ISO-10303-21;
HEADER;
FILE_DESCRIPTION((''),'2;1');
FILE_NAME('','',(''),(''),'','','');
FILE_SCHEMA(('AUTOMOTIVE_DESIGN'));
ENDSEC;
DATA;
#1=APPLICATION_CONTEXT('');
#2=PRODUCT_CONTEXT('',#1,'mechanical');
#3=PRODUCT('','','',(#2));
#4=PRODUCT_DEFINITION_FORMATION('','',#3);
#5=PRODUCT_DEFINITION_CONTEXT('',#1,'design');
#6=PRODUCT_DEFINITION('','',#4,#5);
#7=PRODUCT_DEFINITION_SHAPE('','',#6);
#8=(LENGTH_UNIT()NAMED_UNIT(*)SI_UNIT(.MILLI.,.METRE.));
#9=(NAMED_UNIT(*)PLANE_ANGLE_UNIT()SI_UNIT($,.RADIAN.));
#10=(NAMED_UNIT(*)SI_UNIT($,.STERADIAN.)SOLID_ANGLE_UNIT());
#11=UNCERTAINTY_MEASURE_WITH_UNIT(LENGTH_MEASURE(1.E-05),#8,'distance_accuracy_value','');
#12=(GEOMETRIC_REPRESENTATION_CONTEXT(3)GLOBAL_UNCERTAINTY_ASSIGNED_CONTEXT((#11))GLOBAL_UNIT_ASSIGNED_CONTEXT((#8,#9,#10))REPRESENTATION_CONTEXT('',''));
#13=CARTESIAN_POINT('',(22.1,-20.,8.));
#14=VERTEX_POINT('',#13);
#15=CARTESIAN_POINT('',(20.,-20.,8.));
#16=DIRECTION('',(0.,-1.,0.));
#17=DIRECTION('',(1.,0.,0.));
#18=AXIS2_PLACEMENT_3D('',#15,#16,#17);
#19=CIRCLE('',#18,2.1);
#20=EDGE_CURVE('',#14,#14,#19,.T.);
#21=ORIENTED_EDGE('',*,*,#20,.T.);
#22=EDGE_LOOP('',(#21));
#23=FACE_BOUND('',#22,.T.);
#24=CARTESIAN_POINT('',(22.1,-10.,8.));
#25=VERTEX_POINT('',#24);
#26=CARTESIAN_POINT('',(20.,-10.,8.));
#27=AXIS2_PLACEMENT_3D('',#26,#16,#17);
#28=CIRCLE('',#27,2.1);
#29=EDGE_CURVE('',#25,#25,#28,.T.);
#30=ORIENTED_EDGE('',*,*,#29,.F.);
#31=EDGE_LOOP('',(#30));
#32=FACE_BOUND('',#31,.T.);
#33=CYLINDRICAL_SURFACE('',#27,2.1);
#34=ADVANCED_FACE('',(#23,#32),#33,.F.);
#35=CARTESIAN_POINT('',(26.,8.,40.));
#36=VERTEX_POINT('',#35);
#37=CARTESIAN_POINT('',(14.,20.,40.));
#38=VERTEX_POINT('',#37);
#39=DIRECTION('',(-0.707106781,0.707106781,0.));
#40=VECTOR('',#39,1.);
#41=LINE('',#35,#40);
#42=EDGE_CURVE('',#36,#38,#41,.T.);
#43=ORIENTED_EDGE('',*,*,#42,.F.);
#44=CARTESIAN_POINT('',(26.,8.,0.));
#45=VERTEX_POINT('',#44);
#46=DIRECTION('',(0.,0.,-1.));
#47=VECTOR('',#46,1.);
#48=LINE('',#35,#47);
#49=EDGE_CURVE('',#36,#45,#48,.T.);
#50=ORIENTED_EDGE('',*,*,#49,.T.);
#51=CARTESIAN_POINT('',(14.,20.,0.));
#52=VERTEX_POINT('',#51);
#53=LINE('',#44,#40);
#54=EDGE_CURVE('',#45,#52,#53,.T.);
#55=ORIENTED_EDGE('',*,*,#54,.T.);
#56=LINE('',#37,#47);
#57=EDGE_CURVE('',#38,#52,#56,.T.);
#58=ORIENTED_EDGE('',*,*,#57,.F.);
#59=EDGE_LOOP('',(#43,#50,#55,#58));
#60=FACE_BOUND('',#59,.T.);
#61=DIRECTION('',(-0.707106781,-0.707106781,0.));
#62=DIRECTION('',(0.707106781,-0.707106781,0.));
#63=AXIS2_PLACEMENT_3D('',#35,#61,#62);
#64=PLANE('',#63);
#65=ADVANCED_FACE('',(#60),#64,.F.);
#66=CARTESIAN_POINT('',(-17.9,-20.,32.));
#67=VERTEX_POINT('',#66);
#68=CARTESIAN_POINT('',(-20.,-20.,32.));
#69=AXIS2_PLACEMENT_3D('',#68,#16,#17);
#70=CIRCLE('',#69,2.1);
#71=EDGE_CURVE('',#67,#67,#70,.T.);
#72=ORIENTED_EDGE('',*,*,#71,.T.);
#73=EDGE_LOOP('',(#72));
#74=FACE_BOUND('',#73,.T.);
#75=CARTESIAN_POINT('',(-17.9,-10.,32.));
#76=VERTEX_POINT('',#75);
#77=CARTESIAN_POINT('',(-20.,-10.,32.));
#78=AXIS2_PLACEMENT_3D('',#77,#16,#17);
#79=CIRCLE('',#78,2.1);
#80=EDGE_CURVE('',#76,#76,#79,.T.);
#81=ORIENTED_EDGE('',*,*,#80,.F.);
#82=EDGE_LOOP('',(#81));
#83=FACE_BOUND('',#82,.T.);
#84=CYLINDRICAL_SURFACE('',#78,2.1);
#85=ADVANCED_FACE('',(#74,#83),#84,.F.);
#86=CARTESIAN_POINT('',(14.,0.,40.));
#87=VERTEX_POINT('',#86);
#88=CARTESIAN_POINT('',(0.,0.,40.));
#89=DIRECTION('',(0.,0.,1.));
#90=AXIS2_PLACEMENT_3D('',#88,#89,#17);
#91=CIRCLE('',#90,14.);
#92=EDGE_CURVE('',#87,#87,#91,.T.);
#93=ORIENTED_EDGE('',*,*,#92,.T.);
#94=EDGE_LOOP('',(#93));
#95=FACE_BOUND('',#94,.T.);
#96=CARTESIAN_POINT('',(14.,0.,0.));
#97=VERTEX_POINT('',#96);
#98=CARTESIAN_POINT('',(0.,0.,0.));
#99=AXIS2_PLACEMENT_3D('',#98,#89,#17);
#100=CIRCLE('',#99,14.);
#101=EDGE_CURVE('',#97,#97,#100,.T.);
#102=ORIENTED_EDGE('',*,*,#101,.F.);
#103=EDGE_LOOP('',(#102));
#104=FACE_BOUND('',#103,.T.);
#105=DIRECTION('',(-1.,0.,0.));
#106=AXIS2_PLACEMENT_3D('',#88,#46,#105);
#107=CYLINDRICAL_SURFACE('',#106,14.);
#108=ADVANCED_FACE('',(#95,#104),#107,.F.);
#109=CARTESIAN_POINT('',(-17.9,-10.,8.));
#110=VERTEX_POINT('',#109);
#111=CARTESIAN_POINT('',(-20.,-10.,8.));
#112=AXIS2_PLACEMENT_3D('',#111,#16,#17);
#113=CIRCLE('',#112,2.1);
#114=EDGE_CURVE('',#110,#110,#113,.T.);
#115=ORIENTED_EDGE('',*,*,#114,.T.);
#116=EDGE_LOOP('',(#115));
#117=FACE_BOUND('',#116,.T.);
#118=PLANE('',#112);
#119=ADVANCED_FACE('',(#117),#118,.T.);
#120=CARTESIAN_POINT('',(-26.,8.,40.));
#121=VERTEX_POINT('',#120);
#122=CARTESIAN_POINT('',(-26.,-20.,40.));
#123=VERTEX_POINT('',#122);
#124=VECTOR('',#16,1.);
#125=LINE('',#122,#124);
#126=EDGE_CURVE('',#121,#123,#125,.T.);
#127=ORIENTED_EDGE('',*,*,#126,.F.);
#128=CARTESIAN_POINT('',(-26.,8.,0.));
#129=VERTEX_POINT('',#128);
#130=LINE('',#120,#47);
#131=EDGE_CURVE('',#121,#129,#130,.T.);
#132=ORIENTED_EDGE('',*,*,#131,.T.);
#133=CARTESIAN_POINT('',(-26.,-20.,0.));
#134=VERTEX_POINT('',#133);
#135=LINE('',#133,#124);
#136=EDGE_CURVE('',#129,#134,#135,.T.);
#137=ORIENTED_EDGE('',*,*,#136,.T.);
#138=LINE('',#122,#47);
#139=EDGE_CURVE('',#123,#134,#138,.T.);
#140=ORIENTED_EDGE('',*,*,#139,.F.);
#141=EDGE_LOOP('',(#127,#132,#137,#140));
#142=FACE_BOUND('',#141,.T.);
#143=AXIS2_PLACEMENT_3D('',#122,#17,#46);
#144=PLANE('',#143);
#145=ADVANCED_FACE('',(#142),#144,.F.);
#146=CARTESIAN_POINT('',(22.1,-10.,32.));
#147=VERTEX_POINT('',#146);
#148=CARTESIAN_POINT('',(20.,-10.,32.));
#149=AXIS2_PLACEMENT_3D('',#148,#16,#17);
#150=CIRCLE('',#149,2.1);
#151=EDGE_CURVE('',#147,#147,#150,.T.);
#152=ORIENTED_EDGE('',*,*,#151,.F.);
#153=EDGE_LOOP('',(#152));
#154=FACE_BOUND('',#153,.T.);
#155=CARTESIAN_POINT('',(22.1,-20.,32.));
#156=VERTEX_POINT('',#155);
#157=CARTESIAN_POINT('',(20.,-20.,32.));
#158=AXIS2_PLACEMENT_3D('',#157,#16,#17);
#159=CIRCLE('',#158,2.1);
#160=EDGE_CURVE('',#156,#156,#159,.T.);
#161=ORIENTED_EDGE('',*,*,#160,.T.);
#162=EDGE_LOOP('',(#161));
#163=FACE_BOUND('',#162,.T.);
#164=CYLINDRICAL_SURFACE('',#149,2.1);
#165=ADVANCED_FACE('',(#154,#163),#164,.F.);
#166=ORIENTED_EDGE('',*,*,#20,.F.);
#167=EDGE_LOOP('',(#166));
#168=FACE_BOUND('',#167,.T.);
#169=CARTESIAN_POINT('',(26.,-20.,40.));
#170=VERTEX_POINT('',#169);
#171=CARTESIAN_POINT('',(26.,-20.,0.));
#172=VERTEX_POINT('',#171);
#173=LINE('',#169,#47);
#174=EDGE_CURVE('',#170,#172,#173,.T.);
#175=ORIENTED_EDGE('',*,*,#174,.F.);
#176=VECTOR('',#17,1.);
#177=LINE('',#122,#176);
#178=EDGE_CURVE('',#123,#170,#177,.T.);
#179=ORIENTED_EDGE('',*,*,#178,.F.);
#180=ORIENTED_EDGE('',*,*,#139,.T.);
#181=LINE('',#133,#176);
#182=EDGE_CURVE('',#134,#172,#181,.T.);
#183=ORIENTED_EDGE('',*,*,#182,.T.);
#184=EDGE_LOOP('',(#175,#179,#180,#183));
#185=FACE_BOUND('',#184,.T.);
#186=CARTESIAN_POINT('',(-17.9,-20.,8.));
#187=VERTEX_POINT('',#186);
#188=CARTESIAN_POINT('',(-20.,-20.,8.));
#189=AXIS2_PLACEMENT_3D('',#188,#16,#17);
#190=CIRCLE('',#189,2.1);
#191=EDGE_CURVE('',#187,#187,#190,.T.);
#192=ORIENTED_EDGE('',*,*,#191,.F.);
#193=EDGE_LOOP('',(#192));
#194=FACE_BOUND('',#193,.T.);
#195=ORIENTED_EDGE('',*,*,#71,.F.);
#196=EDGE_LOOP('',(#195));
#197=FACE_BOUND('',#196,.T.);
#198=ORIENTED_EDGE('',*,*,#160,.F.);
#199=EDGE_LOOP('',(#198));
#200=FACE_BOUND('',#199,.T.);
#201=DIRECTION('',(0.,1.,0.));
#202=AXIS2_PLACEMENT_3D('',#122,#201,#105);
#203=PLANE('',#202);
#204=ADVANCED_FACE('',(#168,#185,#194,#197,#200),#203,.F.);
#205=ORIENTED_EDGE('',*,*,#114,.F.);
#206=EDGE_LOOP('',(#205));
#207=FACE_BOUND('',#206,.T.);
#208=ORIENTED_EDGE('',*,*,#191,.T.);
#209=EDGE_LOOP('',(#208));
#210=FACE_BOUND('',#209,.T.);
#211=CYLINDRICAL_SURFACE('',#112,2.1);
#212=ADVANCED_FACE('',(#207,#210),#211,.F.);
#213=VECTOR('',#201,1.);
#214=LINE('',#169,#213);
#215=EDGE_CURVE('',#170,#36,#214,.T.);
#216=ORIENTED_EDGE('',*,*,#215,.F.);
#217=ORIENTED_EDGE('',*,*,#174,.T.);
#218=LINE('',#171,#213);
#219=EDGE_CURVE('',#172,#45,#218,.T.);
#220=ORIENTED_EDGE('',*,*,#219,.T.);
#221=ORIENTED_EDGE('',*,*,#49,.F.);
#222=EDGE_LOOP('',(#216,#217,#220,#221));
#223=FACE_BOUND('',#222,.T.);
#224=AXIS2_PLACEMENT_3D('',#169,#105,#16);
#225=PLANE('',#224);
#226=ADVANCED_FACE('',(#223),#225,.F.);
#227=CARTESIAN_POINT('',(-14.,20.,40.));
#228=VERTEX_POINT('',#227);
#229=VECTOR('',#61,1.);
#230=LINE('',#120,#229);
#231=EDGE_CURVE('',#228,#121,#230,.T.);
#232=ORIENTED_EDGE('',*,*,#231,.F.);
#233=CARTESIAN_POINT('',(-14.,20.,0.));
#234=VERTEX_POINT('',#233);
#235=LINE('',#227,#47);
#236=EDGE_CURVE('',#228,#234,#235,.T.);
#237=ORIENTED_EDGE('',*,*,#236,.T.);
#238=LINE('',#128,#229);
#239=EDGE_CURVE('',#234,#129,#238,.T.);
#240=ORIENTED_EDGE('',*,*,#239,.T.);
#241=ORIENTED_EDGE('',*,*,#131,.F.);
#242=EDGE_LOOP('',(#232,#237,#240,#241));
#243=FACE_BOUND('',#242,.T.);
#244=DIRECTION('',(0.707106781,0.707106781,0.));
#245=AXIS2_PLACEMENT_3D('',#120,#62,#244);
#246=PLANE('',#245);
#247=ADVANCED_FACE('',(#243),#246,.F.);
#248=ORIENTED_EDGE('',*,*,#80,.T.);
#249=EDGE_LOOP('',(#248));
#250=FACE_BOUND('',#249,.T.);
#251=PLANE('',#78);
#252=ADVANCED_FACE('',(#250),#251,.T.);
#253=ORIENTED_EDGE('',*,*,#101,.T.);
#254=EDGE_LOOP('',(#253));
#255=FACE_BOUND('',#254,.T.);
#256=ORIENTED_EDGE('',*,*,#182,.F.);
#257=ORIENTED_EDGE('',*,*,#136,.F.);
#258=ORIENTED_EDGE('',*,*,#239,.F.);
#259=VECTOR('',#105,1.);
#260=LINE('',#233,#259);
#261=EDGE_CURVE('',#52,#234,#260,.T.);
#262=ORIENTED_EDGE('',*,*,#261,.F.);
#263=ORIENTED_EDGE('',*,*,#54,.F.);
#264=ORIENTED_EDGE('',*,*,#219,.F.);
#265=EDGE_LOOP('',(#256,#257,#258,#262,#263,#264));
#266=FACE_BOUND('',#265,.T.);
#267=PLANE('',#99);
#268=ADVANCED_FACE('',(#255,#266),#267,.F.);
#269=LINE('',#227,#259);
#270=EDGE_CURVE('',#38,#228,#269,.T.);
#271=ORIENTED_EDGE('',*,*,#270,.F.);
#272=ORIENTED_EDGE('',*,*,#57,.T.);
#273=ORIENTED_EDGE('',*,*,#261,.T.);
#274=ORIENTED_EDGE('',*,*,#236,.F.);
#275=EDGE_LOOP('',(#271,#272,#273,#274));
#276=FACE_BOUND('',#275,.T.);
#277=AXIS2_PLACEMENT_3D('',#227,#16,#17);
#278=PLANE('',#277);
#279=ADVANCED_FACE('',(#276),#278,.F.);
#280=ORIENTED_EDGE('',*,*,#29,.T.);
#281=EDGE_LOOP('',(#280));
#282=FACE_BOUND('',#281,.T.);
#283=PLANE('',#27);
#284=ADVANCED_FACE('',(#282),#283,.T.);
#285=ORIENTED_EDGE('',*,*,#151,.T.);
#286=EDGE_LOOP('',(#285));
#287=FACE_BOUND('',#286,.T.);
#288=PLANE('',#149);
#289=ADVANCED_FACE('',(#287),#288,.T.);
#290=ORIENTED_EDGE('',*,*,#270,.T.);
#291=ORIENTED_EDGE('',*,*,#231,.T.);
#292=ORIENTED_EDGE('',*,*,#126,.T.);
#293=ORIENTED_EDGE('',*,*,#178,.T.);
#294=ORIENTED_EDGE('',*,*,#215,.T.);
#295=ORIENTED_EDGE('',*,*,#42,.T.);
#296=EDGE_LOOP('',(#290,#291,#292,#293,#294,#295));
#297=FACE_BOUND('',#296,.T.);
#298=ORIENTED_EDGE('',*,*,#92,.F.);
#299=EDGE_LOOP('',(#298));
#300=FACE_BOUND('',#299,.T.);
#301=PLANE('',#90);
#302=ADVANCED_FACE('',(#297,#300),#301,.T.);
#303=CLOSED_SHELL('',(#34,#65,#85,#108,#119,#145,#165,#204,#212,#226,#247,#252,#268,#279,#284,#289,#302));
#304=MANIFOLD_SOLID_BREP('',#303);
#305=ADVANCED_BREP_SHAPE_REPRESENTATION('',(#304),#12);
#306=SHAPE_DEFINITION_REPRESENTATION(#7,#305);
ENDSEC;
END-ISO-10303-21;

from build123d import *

# Parameters (mm, degrees)
SKETCH1_R           = 14
BOSS_EXTRUDE1_DEPTH = 40
SKETCH2_R           = 2.1
CUT_EXTRUDE1_DEPTH  = 10


with BuildPart() as part:
    # Sketch1 → Boss-Extrude1 (new body)
    with BuildSketch(Plane.XY):
        Polygon((-14, 20), (14, 20), (26, 8), (26, -20), (-26, -20), (-26, 8), align=None)
        Circle(SKETCH1_R, mode=Mode.SUBTRACT)
    extrude(amount=BOSS_EXTRUDE1_DEPTH)

    # Sketch2 → Cut-Extrude1 (cut)
    with BuildSketch(Plane.XZ.offset(20)):
        with Locations((-20, 32)):
            Circle(SKETCH2_R)
        with Locations((20, 32)):
            Circle(SKETCH2_R)
        with Locations((20, 8)):
            Circle(SKETCH2_R)
        with Locations((-20, 8)):
            Circle(SKETCH2_R)
    extrude(amount=-CUT_EXTRUDE1_DEPTH, mode=Mode.SUBTRACT)


solid = part.part
